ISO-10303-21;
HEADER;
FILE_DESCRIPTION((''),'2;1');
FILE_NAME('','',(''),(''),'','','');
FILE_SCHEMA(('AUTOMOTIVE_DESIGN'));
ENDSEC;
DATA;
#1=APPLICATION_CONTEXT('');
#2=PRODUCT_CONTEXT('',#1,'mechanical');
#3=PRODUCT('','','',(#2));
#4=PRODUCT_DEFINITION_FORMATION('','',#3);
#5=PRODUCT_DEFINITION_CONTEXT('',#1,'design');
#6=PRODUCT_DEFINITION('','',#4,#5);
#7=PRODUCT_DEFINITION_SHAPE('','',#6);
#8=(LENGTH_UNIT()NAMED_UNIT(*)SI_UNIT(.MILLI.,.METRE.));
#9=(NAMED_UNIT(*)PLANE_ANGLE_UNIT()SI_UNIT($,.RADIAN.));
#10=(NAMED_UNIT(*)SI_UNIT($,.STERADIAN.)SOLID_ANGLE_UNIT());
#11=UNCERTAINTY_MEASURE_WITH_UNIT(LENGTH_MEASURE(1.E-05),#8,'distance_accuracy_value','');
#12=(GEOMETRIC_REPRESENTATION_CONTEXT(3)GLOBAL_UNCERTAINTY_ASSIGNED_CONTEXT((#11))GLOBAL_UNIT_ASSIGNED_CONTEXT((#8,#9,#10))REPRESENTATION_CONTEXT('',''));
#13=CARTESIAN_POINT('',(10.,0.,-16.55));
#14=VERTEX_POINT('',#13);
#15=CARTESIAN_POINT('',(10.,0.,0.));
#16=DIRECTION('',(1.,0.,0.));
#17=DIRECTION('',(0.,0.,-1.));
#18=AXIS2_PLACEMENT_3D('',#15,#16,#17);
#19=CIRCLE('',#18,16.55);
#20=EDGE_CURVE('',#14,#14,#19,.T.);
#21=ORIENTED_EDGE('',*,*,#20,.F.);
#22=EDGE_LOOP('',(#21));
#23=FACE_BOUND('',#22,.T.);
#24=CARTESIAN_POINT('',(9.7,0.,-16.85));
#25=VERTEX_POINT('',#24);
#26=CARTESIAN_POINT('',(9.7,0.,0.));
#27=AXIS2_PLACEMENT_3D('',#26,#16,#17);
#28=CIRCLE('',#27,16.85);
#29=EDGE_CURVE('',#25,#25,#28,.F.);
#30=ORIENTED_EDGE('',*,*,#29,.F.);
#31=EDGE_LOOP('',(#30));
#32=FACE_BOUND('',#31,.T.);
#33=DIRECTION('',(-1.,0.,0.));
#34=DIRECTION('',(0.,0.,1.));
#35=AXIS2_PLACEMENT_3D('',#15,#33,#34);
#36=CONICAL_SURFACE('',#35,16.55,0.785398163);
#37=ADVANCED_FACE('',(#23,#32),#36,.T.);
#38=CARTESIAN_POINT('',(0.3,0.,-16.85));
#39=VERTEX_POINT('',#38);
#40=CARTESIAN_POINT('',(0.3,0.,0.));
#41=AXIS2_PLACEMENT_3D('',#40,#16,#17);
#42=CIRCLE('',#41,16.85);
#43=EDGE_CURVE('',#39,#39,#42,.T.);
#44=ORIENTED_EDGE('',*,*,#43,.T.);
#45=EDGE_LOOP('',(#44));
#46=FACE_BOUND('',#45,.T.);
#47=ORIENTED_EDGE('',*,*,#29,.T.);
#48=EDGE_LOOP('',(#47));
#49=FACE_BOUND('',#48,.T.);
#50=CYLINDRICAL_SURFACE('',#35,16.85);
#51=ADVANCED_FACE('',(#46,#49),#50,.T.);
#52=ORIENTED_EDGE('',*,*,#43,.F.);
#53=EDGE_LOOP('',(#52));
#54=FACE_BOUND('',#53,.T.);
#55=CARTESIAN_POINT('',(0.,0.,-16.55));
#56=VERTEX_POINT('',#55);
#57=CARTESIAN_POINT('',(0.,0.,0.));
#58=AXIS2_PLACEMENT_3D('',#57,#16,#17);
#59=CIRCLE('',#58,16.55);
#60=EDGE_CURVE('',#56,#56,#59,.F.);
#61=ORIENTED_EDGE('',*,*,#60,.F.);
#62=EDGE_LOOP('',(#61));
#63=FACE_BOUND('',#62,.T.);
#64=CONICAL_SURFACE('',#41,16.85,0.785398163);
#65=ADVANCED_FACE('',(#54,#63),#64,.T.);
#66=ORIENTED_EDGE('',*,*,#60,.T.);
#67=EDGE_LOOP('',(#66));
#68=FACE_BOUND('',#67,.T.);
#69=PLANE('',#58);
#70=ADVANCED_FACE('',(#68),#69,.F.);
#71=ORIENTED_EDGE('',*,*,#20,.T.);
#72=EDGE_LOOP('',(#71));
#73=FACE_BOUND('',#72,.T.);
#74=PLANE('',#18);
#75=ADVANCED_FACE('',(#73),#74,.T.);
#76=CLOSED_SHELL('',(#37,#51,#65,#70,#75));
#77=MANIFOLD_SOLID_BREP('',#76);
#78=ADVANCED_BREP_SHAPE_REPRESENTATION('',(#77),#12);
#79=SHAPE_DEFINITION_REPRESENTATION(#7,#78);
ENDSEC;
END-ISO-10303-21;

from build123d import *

# Parameters (mm, degrees)
SKETCH_1_R        = 16.85
EXTRUDE_1_DEPTH   = 10
CHAMFER_C0_3_SIZE = 0.3


with BuildPart() as part:
    # 草图1 → 凸台-拉伸1 (new body)
    with BuildSketch(Plane(origin=(0, 0, 0), x_dir=(0, 0, -1), z_dir=(1, 0, 0))):
        Circle(SKETCH_1_R)
    extrude(amount=EXTRUDE_1_DEPTH)

    # 圆盘外缘倒角_C0.3
    chamfer_c0_3_edges = [part.edges().sort_by_distance(p)[0] for p in [
        (0, 0, 16.85),
        (10, 0, 16.85),
    ]]
    chamfer(chamfer_c0_3_edges, length=CHAMFER_C0_3_SIZE)


solid = part.part
